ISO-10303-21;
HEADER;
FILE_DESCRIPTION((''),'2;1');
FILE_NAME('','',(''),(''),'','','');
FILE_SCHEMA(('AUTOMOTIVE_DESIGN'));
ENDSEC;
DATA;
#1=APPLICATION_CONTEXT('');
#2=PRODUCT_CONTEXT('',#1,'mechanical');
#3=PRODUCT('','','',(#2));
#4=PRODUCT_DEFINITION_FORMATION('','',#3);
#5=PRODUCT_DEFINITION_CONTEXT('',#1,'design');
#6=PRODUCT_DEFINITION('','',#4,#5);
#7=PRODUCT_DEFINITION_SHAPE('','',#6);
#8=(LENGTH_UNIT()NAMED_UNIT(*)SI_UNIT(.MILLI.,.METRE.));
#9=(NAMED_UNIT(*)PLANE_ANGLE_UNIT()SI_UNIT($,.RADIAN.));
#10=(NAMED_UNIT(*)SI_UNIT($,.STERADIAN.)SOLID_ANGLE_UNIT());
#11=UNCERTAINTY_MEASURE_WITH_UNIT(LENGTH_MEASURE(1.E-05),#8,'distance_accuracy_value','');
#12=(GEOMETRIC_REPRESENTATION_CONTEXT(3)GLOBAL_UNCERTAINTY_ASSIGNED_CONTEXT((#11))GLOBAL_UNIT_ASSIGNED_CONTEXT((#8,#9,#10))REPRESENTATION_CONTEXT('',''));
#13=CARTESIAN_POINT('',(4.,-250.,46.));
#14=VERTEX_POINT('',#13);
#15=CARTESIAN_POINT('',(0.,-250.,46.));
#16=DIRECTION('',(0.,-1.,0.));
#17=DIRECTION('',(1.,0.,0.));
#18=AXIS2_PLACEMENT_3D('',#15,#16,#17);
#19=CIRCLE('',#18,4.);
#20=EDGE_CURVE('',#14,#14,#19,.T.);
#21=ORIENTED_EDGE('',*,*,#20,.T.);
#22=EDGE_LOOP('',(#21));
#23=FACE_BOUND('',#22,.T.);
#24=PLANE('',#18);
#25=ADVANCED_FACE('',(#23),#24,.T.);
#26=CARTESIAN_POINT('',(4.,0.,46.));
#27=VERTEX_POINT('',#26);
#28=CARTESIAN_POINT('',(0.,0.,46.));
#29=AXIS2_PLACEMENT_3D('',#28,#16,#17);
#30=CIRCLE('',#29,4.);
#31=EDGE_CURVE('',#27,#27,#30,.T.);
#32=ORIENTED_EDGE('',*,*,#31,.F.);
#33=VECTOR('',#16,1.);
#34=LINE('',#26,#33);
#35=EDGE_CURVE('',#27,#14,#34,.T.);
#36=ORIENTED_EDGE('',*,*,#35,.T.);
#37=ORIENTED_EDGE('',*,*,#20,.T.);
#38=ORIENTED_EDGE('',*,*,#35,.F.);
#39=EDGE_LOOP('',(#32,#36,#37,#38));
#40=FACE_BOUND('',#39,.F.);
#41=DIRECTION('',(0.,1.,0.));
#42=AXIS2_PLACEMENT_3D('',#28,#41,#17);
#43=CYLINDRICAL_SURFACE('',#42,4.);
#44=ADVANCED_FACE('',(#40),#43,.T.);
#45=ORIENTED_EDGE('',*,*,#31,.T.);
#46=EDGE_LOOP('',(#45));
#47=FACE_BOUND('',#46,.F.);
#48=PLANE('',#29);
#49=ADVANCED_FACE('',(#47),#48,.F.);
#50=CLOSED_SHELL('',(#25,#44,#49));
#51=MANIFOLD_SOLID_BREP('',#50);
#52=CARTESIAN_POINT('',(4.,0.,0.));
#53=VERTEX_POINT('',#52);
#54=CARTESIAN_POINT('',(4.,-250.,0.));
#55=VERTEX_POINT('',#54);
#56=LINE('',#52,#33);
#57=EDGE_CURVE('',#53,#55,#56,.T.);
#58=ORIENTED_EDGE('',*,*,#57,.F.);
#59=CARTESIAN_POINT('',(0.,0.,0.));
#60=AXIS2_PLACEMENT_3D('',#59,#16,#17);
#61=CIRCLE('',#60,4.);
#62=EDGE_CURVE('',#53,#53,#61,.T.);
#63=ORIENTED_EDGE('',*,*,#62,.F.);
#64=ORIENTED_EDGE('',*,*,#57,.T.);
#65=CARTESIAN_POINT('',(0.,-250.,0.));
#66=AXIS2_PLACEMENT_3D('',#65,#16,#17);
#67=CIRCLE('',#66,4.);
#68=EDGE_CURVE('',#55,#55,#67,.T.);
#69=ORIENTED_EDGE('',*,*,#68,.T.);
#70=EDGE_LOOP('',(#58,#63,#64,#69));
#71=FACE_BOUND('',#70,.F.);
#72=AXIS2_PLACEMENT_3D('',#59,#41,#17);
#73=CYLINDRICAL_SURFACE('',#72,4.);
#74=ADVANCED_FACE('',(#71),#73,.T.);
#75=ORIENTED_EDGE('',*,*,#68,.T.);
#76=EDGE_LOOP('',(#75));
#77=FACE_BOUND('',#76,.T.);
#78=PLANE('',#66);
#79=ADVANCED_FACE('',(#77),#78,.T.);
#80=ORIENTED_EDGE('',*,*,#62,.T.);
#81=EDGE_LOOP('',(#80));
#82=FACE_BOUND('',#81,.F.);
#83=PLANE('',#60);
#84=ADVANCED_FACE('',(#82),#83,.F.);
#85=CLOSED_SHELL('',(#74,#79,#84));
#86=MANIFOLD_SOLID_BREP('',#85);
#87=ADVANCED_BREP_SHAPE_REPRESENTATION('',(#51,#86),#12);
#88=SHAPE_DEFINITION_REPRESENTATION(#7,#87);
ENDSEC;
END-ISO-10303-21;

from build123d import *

# Parameters (mm, degrees)
F0_R     = 4
F1_DEPTH = 250


with BuildPart() as f1:
    # F0 (on Front) → F1 (new body)
    with BuildSketch(Plane.XZ):
        Circle(F0_R)
        with Locations((0, 46)):
            Circle(F0_R)
    extrude(amount=F1_DEPTH)


solid = f1.part
